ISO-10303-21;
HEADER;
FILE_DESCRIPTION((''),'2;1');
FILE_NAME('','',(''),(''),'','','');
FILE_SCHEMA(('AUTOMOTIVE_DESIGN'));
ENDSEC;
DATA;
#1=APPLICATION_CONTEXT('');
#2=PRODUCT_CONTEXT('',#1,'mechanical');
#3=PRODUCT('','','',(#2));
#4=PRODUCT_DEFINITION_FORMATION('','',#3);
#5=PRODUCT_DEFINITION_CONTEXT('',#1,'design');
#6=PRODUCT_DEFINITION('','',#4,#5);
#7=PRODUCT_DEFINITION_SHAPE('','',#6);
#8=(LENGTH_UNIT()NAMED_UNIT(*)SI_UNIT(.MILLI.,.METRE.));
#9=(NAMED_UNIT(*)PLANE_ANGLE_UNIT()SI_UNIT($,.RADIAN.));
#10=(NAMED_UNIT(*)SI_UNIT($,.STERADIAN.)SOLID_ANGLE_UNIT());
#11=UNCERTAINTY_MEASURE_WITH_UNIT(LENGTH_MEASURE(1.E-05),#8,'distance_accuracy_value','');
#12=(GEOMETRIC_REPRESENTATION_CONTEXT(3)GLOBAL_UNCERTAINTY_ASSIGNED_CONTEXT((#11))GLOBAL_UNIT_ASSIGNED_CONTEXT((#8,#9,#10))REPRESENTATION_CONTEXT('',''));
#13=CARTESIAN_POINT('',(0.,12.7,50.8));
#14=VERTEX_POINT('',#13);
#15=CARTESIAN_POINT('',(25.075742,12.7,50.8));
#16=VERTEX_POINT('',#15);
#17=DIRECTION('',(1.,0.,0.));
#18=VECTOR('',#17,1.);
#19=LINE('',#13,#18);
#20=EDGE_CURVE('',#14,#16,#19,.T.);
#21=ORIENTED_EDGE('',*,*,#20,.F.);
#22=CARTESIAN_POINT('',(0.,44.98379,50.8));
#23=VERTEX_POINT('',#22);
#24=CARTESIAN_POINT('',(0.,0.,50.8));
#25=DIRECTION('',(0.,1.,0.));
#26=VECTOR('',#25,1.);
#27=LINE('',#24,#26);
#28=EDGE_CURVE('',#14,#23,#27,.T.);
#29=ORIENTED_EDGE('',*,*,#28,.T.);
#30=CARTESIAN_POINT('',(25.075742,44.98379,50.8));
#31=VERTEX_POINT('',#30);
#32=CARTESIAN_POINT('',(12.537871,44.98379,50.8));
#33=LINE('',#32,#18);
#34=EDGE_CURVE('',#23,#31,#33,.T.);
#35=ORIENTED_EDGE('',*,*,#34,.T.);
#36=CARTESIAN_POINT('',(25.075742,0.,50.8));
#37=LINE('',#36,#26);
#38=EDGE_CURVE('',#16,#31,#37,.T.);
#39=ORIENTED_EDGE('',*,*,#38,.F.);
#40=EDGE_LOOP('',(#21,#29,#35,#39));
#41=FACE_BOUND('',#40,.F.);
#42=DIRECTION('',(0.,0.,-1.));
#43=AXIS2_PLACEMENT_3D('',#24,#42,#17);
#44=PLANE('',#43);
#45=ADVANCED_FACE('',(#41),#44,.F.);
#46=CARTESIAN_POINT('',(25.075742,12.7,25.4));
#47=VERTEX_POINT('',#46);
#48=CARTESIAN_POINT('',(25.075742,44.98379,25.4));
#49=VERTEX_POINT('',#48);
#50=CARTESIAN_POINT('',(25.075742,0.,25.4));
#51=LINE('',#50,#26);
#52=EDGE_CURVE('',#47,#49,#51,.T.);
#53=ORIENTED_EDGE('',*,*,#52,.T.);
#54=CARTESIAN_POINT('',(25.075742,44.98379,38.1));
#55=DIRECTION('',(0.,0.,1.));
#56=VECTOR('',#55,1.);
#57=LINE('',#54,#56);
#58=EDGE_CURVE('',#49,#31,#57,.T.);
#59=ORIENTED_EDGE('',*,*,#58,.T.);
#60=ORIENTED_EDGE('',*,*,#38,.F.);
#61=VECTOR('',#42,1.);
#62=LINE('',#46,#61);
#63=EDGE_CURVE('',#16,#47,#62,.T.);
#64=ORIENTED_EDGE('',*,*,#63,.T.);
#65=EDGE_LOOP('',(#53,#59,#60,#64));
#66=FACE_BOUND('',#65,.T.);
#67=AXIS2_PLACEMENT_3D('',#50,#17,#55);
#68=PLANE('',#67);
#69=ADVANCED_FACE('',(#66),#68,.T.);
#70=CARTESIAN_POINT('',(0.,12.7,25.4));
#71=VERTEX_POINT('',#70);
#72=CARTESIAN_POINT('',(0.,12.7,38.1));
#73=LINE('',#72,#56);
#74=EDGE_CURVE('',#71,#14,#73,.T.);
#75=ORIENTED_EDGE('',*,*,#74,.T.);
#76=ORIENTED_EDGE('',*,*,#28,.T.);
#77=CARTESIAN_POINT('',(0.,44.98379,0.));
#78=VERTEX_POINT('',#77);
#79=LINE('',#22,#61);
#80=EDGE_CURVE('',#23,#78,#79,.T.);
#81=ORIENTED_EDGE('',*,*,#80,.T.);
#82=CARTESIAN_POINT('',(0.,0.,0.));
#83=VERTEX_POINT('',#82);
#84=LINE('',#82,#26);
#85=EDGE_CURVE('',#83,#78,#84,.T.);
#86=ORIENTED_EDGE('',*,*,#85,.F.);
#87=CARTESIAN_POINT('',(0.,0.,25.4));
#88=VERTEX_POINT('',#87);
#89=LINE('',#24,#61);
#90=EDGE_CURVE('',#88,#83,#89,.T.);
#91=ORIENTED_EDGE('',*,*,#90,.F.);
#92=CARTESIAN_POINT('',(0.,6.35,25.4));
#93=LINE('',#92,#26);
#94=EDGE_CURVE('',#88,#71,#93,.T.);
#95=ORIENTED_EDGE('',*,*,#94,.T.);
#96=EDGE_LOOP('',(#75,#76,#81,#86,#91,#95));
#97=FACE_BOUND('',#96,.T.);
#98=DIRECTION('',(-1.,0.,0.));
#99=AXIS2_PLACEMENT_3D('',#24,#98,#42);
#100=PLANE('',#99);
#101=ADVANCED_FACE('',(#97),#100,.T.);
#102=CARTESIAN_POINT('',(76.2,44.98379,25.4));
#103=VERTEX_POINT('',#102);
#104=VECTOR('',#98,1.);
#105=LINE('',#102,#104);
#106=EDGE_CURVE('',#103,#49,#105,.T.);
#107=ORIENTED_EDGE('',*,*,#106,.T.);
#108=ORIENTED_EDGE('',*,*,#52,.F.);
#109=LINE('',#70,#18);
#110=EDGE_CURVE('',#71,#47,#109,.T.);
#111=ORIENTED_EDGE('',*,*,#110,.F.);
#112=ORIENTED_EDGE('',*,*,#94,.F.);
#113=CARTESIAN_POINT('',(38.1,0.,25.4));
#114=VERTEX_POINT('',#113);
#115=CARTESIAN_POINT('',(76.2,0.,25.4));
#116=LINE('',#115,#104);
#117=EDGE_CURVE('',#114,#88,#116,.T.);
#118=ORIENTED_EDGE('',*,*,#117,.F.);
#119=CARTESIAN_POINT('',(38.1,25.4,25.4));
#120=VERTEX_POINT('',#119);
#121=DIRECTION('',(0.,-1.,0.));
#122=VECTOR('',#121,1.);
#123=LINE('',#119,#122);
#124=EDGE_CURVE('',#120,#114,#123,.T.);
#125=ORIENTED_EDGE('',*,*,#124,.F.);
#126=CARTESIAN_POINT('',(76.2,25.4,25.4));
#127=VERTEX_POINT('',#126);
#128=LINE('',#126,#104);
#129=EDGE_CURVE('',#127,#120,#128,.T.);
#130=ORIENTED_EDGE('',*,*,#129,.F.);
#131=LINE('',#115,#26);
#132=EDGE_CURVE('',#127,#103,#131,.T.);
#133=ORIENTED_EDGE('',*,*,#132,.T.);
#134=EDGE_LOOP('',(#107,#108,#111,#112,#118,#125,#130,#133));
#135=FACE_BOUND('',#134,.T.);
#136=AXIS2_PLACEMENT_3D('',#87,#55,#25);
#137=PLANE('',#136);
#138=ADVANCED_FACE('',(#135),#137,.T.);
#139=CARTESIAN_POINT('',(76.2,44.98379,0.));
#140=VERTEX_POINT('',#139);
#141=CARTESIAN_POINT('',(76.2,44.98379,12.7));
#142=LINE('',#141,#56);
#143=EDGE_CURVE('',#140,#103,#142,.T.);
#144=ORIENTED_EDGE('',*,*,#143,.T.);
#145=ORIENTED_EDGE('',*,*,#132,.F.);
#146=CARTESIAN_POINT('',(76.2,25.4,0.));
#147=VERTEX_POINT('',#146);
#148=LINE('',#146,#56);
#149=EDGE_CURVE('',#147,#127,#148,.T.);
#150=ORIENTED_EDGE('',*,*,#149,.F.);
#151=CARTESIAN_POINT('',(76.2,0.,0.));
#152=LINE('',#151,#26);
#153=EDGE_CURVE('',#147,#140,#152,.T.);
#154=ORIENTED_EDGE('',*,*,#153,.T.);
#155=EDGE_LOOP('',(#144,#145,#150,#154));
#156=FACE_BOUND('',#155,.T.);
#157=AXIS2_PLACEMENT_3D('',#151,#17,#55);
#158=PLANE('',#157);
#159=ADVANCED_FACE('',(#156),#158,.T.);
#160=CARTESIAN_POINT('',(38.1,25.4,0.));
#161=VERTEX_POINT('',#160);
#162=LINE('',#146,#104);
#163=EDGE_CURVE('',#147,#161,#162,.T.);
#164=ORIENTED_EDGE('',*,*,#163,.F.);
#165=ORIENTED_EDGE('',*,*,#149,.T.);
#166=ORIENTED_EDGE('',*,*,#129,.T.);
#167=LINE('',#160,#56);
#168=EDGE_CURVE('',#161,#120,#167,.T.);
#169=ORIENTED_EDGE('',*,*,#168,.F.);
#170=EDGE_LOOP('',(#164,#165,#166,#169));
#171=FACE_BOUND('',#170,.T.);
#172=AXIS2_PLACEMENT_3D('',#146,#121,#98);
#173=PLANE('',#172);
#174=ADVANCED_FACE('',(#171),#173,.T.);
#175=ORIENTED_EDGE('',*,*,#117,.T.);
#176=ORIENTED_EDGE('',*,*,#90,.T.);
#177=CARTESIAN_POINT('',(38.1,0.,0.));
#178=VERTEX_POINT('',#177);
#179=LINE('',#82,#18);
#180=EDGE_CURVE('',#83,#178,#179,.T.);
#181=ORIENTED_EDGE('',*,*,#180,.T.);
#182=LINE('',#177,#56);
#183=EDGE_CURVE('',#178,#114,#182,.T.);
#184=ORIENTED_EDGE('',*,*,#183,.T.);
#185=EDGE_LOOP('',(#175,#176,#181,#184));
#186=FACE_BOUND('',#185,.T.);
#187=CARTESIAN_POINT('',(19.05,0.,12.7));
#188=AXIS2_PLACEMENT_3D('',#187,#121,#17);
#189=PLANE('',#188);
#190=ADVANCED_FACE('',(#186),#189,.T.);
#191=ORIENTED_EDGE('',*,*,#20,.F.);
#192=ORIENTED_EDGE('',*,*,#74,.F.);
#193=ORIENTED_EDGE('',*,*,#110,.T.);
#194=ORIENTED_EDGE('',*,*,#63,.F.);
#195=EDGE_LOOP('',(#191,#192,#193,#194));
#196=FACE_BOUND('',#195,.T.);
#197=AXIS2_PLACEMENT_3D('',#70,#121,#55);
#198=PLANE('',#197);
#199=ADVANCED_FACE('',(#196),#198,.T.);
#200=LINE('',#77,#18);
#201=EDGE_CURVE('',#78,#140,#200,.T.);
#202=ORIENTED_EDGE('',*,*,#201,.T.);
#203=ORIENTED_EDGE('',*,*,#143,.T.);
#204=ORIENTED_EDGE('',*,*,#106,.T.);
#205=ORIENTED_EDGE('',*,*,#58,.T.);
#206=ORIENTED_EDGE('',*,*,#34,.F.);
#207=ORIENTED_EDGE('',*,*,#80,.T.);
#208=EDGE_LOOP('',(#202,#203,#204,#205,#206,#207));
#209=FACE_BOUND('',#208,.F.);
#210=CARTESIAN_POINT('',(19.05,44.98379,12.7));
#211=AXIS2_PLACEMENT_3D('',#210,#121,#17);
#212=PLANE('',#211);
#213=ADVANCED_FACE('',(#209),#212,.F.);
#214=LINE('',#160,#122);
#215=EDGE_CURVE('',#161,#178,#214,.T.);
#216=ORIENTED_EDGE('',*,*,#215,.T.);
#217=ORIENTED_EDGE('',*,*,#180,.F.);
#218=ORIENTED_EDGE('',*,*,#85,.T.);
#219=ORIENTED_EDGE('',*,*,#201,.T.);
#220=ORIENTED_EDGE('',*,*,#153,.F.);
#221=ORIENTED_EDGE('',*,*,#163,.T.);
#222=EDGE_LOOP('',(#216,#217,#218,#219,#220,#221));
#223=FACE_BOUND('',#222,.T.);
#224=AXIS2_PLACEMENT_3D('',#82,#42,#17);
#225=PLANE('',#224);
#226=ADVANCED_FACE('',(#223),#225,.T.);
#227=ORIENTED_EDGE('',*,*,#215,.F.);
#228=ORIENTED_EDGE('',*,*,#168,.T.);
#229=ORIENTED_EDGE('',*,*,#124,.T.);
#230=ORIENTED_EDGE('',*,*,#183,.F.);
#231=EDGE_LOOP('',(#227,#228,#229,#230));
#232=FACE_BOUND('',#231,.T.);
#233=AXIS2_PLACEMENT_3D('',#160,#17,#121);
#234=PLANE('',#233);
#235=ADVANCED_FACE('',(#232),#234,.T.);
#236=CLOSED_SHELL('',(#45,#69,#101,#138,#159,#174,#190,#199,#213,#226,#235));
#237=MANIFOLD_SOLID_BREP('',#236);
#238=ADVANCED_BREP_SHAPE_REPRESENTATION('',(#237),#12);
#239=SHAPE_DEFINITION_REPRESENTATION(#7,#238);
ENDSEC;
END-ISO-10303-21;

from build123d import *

# Parameters (mm, degrees)
F0_W     = 25.075742
F0_H     = 25.4
F0_W_2   = 38.1
F3_DEPTH = 44.98379
F1_W     = 12.7
F1_H     = 25.4
F4_DEPTH = 25.60555
F5_DEPTH = 25.4


with BuildPart() as f3:
    # F0 (on Front) → F3 (new body)
    with BuildSketch(Plane.XZ):
        Polygon((0, 25.4), (0, 0), (38.1, 0), (38.1, 25.4), (25.075742, 25.4), align=None)
        with Locations((12.537871, 38.1)):
            Rectangle(F0_W, F0_H)
        with Locations((57.15, 12.7)):
            Rectangle(F0_W_2, F0_H)
    extrude(amount=-F3_DEPTH)

    # F1 (on Right) → F4 (cut)
    with BuildSketch(Plane.YZ):
        with Locations((6.35, 38.1)):
            Rectangle(F1_W, F1_H)
    extrude(amount=F4_DEPTH, mode=Mode.SUBTRACT)

    # F2 (on Top) → F5 (cut)
    with BuildSketch(Plane.XY):
        Polygon((76.496184, 0), (76.2, 25.4), (38.1, 25.4), (38.1, 0), align=None)
    extrude(amount=F5_DEPTH, mode=Mode.SUBTRACT)


solid = f3.part
